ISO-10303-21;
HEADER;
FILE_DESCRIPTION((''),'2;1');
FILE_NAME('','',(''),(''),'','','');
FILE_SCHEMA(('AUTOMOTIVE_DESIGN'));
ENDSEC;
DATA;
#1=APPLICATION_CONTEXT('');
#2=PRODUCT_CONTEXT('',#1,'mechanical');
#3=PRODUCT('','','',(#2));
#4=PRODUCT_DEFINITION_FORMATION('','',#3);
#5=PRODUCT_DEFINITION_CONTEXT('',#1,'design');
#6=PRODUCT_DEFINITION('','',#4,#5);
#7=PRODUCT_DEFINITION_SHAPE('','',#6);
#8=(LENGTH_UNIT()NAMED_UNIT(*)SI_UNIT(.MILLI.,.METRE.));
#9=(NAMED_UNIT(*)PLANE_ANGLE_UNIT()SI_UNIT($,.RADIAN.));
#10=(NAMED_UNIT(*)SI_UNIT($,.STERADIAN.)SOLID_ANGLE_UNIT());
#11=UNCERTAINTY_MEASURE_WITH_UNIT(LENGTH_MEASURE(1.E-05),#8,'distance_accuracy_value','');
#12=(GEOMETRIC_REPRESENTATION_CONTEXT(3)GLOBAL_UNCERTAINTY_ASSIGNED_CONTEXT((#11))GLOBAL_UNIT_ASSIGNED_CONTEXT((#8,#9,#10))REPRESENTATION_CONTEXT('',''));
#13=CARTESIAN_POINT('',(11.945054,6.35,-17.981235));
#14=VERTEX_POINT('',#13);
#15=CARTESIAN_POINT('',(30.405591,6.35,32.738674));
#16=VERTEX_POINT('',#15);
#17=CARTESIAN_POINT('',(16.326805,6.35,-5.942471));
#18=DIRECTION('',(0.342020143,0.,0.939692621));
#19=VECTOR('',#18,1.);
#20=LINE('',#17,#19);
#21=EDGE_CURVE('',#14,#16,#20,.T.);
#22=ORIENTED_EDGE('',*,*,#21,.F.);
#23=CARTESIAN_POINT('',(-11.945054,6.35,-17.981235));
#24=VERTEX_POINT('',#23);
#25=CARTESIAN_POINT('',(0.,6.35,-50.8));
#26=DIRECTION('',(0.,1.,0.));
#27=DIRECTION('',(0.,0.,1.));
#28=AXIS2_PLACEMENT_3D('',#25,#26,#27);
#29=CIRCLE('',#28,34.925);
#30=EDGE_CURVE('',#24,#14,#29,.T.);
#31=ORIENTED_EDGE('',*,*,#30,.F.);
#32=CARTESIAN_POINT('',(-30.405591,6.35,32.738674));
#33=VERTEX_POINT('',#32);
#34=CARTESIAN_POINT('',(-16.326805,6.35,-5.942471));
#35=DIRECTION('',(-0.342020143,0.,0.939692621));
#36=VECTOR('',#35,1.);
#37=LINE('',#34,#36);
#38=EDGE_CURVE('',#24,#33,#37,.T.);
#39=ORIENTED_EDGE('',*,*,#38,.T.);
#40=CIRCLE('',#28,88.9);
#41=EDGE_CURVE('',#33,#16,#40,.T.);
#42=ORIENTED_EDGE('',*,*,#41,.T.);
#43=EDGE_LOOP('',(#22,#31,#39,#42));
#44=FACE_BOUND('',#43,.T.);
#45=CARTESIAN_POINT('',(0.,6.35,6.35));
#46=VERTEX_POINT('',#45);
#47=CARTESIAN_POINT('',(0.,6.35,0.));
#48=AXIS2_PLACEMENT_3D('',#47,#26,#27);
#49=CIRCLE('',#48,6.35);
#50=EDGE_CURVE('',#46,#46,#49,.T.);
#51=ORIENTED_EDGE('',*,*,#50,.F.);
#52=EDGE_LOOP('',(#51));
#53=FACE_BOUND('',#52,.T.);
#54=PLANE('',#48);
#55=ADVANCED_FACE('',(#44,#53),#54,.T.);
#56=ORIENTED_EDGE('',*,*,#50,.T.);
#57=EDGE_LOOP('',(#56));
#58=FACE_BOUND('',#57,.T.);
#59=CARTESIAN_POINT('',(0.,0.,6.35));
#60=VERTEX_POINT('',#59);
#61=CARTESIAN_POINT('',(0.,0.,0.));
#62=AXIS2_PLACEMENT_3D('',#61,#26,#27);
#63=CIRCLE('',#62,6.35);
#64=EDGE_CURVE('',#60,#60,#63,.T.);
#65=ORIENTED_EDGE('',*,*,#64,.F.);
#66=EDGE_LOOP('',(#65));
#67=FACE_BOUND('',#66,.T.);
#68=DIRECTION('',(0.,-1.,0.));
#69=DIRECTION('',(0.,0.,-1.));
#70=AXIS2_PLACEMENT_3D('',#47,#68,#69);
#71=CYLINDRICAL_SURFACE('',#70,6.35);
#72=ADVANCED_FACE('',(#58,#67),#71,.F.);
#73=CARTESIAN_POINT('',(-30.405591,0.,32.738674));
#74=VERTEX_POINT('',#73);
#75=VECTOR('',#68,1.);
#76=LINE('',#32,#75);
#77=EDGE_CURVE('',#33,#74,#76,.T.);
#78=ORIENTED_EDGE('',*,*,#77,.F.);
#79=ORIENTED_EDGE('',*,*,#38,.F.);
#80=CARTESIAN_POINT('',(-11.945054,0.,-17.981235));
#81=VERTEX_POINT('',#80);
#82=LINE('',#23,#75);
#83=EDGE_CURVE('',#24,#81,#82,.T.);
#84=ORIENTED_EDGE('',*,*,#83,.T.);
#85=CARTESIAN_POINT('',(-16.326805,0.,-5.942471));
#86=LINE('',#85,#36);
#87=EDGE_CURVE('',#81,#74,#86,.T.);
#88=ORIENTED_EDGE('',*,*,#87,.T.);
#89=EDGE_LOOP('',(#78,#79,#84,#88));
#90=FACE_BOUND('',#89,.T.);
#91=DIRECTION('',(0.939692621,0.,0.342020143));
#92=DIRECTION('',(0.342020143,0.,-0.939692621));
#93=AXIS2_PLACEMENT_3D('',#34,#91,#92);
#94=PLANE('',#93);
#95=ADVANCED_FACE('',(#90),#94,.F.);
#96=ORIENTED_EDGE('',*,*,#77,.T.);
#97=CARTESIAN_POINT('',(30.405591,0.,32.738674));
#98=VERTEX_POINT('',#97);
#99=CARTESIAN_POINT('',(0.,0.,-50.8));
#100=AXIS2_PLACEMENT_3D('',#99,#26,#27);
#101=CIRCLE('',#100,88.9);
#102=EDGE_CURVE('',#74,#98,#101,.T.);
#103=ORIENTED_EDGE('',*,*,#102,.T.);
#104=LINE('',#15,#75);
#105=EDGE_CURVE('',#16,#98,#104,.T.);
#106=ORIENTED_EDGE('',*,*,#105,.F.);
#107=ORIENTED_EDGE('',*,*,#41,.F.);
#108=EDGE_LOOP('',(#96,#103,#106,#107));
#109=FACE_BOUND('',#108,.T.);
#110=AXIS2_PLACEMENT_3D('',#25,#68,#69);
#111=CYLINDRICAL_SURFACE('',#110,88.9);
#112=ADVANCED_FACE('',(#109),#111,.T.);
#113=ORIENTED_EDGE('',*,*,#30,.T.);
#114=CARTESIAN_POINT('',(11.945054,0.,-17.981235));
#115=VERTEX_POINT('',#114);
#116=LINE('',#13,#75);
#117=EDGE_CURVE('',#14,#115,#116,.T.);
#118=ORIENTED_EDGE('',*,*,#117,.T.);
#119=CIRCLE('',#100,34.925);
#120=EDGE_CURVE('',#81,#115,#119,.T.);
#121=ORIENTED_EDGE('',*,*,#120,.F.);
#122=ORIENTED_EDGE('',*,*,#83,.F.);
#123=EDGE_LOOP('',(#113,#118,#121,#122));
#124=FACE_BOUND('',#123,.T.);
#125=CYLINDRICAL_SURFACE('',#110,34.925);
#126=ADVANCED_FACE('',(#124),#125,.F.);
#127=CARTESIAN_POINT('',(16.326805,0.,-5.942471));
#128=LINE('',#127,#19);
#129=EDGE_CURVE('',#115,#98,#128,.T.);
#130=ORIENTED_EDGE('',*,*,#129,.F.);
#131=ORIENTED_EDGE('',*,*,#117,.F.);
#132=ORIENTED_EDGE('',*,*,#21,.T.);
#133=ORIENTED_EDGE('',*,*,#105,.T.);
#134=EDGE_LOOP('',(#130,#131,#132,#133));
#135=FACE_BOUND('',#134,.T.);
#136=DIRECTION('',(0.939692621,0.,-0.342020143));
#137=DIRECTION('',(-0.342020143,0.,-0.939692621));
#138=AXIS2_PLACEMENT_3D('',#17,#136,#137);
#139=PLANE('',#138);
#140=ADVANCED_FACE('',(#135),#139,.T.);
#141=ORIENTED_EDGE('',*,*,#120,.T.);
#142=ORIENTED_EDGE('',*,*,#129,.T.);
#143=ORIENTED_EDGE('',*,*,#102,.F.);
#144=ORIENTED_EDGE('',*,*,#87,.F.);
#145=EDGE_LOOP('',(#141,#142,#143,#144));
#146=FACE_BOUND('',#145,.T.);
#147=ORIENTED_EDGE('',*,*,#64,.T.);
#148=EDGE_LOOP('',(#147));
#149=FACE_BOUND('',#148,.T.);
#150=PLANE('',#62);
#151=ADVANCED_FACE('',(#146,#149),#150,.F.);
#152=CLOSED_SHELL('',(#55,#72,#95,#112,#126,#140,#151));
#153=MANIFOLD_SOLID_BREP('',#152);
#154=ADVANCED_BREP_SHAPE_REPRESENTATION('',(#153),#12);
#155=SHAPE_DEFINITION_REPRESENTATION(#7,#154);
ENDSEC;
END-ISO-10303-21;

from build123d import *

# Parameters (mm, degrees)
SKETCH1_R           = 6.35
BOSS_EXTRUDE1_DEPTH = 6.35


with BuildPart() as part:
    # Sketch1 → Boss-Extrude1 (new body)
    with BuildSketch(Plane(origin=(0, 0, 0), x_dir=(1, 0, 0), z_dir=(0, 1, 0))):
        with BuildLine():
            ThreePointArc((11.945053506, 17.981235219), (0, 15.875), (-11.945053506, 17.981235219))
            Line((-11.945053506, 17.981235219), (-30.405590742, -32.738673988))
            ThreePointArc((-30.405590742, -32.738673988), (0, -38.1), (30.405590742, -32.738673988))
            Line((30.405590742, -32.738673988), (11.945053506, 17.981235219))
        make_face()
        with Locations(Location((0, 0, 0), (0, 0, 270))):
            Circle(SKETCH1_R, mode=Mode.SUBTRACT)
    extrude(amount=BOSS_EXTRUDE1_DEPTH)


solid = part.part
